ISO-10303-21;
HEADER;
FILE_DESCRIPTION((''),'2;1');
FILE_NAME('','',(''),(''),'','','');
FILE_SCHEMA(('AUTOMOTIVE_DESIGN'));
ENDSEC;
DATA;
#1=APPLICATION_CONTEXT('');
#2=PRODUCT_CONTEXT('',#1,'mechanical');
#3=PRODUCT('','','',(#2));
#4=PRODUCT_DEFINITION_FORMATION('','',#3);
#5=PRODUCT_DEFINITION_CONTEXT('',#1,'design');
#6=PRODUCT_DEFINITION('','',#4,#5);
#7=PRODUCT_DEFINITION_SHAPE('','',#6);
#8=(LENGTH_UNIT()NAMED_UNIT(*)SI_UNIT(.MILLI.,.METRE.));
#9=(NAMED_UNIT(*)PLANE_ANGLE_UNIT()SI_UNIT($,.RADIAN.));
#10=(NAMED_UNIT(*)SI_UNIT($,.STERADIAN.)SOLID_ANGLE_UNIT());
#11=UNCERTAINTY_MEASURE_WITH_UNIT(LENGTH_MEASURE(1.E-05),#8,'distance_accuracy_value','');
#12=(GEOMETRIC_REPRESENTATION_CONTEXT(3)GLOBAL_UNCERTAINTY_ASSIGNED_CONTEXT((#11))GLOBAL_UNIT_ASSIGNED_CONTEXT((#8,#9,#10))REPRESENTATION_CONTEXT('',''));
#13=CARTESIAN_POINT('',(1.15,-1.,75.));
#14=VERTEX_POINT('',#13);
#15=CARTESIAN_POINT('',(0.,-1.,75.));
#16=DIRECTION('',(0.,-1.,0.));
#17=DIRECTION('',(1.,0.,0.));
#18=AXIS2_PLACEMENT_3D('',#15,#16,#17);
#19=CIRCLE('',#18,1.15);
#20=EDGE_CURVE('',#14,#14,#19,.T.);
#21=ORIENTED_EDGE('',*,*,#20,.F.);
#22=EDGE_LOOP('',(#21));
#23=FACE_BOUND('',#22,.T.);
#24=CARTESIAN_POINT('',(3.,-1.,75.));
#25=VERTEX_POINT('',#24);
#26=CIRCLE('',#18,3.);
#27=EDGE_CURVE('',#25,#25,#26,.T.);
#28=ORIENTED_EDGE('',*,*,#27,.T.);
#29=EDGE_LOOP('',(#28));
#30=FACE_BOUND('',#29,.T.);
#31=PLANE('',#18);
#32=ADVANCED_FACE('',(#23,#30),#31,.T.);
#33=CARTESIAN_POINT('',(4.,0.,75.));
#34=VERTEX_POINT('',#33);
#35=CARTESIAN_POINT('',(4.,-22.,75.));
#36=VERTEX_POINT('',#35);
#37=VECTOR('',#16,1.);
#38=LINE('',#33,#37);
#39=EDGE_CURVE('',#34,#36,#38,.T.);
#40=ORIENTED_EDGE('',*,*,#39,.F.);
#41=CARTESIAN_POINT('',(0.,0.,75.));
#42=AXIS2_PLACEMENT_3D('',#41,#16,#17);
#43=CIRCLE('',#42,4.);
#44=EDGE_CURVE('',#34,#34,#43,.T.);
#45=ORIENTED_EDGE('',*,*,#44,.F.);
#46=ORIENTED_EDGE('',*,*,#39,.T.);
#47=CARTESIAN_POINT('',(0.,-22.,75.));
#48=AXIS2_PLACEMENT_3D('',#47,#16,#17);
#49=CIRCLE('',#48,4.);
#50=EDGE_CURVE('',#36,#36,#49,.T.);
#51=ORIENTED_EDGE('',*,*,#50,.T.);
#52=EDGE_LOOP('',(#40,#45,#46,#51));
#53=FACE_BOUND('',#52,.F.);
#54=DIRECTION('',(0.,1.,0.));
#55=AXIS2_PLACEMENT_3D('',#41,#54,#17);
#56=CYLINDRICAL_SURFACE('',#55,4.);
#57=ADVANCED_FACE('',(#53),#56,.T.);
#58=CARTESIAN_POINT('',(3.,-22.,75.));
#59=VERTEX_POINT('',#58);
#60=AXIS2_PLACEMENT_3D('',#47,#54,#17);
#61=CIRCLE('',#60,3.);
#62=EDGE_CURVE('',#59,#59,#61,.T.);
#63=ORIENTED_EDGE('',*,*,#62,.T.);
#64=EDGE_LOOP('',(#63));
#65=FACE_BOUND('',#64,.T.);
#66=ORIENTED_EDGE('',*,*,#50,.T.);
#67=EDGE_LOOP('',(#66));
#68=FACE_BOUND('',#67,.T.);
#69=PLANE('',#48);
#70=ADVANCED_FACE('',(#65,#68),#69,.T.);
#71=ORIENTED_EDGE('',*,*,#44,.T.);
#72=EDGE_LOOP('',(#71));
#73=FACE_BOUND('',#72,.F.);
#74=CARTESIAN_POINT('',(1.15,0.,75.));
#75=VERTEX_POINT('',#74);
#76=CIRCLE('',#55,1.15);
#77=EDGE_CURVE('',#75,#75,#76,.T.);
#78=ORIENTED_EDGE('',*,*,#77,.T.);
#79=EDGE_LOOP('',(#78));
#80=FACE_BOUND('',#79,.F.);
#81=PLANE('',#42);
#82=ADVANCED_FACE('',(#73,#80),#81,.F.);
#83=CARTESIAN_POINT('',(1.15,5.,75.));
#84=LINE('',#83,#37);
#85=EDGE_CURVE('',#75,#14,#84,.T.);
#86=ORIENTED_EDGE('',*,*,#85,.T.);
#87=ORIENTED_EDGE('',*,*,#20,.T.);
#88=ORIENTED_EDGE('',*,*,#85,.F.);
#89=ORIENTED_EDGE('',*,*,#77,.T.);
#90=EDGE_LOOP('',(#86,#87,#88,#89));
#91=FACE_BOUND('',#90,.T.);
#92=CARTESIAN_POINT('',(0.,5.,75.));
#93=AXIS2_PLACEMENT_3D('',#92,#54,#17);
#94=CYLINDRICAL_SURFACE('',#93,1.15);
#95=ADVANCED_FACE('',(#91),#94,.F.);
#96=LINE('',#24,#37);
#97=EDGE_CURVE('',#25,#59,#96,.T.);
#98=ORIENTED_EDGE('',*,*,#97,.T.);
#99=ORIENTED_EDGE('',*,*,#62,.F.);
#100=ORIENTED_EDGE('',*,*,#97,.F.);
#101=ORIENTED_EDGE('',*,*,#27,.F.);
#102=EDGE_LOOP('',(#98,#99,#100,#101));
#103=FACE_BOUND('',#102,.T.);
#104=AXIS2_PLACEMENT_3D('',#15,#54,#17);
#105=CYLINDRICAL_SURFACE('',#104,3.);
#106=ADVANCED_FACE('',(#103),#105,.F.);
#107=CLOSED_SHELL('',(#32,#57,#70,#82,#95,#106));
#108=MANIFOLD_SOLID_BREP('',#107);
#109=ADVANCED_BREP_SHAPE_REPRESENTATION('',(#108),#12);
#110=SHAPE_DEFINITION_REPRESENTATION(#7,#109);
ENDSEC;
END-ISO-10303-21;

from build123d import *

# Parameters (mm, degrees)
CYLINDER_R             = 3
CYLINDER_DEPTH         = 22
CYLINDER_ROLL_ANGLE    = 90
CYLINDER013_R          = 1.15
CYLINDER013_DEPTH      = 6
CYLINDER013_ROLL_ANGLE = 90
CYLINDER010_R          = 4
CYLINDER010_DEPTH      = 22
CYLINDER010_ROLL_ANGLE = 90


with BuildPart() as cylinder:
    # Cylinder → Cylinder (new body)
    with BuildSketch(Plane.XY):
        Circle(CYLINDER_R)
    extrude(amount=CYLINDER_DEPTH)


with BuildPart() as cylinder_1:
    # Cylinder roll: moved
    add(cylinder.part.rotate(Axis((0, 0, 0), (1, 0, 0)), CYLINDER_ROLL_ANGLE))


with BuildPart() as cylinder_2:
    # Cylinder placement: moved
    add(cylinder_1.part.moved(Location((0, -1, 75))))


with BuildPart() as fusion:
    # Cylinder013 → Cylinder013 (new body)
    with BuildSketch(Plane.XY):
        Circle(CYLINDER013_R)
    extrude(amount=CYLINDER013_DEPTH)


with BuildPart() as fusion_1:
    # Cylinder013 roll: moved
    add(fusion.part.rotate(Axis((0, 0, 0), (1, 0, 0)), CYLINDER013_ROLL_ANGLE))


with BuildPart() as fusion_2:
    # Cylinder013 placement: moved
    add(fusion_1.part.moved(Location((0, 5, 75))))

    # Fusion: union Cylinder
    add(cylinder_2.part)


with BuildPart() as cut002:
    # Cylinder010 → Cylinder010 (new body)
    with BuildSketch(Plane.XY):
        Circle(CYLINDER010_R)
    extrude(amount=CYLINDER010_DEPTH)


with BuildPart() as cut002_1:
    # Cylinder010 roll: moved
    add(cut002.part.rotate(Axis((0, 0, 0), (1, 0, 0)), CYLINDER010_ROLL_ANGLE))


with BuildPart() as cut002_2:
    # Cylinder010 placement: moved
    add(cut002_1.part.moved(Location((0, 0, 75))))

    # Cut002: cut Fusion
    add(fusion_2.part, mode=Mode.SUBTRACT)


solid = cut002_2.part
